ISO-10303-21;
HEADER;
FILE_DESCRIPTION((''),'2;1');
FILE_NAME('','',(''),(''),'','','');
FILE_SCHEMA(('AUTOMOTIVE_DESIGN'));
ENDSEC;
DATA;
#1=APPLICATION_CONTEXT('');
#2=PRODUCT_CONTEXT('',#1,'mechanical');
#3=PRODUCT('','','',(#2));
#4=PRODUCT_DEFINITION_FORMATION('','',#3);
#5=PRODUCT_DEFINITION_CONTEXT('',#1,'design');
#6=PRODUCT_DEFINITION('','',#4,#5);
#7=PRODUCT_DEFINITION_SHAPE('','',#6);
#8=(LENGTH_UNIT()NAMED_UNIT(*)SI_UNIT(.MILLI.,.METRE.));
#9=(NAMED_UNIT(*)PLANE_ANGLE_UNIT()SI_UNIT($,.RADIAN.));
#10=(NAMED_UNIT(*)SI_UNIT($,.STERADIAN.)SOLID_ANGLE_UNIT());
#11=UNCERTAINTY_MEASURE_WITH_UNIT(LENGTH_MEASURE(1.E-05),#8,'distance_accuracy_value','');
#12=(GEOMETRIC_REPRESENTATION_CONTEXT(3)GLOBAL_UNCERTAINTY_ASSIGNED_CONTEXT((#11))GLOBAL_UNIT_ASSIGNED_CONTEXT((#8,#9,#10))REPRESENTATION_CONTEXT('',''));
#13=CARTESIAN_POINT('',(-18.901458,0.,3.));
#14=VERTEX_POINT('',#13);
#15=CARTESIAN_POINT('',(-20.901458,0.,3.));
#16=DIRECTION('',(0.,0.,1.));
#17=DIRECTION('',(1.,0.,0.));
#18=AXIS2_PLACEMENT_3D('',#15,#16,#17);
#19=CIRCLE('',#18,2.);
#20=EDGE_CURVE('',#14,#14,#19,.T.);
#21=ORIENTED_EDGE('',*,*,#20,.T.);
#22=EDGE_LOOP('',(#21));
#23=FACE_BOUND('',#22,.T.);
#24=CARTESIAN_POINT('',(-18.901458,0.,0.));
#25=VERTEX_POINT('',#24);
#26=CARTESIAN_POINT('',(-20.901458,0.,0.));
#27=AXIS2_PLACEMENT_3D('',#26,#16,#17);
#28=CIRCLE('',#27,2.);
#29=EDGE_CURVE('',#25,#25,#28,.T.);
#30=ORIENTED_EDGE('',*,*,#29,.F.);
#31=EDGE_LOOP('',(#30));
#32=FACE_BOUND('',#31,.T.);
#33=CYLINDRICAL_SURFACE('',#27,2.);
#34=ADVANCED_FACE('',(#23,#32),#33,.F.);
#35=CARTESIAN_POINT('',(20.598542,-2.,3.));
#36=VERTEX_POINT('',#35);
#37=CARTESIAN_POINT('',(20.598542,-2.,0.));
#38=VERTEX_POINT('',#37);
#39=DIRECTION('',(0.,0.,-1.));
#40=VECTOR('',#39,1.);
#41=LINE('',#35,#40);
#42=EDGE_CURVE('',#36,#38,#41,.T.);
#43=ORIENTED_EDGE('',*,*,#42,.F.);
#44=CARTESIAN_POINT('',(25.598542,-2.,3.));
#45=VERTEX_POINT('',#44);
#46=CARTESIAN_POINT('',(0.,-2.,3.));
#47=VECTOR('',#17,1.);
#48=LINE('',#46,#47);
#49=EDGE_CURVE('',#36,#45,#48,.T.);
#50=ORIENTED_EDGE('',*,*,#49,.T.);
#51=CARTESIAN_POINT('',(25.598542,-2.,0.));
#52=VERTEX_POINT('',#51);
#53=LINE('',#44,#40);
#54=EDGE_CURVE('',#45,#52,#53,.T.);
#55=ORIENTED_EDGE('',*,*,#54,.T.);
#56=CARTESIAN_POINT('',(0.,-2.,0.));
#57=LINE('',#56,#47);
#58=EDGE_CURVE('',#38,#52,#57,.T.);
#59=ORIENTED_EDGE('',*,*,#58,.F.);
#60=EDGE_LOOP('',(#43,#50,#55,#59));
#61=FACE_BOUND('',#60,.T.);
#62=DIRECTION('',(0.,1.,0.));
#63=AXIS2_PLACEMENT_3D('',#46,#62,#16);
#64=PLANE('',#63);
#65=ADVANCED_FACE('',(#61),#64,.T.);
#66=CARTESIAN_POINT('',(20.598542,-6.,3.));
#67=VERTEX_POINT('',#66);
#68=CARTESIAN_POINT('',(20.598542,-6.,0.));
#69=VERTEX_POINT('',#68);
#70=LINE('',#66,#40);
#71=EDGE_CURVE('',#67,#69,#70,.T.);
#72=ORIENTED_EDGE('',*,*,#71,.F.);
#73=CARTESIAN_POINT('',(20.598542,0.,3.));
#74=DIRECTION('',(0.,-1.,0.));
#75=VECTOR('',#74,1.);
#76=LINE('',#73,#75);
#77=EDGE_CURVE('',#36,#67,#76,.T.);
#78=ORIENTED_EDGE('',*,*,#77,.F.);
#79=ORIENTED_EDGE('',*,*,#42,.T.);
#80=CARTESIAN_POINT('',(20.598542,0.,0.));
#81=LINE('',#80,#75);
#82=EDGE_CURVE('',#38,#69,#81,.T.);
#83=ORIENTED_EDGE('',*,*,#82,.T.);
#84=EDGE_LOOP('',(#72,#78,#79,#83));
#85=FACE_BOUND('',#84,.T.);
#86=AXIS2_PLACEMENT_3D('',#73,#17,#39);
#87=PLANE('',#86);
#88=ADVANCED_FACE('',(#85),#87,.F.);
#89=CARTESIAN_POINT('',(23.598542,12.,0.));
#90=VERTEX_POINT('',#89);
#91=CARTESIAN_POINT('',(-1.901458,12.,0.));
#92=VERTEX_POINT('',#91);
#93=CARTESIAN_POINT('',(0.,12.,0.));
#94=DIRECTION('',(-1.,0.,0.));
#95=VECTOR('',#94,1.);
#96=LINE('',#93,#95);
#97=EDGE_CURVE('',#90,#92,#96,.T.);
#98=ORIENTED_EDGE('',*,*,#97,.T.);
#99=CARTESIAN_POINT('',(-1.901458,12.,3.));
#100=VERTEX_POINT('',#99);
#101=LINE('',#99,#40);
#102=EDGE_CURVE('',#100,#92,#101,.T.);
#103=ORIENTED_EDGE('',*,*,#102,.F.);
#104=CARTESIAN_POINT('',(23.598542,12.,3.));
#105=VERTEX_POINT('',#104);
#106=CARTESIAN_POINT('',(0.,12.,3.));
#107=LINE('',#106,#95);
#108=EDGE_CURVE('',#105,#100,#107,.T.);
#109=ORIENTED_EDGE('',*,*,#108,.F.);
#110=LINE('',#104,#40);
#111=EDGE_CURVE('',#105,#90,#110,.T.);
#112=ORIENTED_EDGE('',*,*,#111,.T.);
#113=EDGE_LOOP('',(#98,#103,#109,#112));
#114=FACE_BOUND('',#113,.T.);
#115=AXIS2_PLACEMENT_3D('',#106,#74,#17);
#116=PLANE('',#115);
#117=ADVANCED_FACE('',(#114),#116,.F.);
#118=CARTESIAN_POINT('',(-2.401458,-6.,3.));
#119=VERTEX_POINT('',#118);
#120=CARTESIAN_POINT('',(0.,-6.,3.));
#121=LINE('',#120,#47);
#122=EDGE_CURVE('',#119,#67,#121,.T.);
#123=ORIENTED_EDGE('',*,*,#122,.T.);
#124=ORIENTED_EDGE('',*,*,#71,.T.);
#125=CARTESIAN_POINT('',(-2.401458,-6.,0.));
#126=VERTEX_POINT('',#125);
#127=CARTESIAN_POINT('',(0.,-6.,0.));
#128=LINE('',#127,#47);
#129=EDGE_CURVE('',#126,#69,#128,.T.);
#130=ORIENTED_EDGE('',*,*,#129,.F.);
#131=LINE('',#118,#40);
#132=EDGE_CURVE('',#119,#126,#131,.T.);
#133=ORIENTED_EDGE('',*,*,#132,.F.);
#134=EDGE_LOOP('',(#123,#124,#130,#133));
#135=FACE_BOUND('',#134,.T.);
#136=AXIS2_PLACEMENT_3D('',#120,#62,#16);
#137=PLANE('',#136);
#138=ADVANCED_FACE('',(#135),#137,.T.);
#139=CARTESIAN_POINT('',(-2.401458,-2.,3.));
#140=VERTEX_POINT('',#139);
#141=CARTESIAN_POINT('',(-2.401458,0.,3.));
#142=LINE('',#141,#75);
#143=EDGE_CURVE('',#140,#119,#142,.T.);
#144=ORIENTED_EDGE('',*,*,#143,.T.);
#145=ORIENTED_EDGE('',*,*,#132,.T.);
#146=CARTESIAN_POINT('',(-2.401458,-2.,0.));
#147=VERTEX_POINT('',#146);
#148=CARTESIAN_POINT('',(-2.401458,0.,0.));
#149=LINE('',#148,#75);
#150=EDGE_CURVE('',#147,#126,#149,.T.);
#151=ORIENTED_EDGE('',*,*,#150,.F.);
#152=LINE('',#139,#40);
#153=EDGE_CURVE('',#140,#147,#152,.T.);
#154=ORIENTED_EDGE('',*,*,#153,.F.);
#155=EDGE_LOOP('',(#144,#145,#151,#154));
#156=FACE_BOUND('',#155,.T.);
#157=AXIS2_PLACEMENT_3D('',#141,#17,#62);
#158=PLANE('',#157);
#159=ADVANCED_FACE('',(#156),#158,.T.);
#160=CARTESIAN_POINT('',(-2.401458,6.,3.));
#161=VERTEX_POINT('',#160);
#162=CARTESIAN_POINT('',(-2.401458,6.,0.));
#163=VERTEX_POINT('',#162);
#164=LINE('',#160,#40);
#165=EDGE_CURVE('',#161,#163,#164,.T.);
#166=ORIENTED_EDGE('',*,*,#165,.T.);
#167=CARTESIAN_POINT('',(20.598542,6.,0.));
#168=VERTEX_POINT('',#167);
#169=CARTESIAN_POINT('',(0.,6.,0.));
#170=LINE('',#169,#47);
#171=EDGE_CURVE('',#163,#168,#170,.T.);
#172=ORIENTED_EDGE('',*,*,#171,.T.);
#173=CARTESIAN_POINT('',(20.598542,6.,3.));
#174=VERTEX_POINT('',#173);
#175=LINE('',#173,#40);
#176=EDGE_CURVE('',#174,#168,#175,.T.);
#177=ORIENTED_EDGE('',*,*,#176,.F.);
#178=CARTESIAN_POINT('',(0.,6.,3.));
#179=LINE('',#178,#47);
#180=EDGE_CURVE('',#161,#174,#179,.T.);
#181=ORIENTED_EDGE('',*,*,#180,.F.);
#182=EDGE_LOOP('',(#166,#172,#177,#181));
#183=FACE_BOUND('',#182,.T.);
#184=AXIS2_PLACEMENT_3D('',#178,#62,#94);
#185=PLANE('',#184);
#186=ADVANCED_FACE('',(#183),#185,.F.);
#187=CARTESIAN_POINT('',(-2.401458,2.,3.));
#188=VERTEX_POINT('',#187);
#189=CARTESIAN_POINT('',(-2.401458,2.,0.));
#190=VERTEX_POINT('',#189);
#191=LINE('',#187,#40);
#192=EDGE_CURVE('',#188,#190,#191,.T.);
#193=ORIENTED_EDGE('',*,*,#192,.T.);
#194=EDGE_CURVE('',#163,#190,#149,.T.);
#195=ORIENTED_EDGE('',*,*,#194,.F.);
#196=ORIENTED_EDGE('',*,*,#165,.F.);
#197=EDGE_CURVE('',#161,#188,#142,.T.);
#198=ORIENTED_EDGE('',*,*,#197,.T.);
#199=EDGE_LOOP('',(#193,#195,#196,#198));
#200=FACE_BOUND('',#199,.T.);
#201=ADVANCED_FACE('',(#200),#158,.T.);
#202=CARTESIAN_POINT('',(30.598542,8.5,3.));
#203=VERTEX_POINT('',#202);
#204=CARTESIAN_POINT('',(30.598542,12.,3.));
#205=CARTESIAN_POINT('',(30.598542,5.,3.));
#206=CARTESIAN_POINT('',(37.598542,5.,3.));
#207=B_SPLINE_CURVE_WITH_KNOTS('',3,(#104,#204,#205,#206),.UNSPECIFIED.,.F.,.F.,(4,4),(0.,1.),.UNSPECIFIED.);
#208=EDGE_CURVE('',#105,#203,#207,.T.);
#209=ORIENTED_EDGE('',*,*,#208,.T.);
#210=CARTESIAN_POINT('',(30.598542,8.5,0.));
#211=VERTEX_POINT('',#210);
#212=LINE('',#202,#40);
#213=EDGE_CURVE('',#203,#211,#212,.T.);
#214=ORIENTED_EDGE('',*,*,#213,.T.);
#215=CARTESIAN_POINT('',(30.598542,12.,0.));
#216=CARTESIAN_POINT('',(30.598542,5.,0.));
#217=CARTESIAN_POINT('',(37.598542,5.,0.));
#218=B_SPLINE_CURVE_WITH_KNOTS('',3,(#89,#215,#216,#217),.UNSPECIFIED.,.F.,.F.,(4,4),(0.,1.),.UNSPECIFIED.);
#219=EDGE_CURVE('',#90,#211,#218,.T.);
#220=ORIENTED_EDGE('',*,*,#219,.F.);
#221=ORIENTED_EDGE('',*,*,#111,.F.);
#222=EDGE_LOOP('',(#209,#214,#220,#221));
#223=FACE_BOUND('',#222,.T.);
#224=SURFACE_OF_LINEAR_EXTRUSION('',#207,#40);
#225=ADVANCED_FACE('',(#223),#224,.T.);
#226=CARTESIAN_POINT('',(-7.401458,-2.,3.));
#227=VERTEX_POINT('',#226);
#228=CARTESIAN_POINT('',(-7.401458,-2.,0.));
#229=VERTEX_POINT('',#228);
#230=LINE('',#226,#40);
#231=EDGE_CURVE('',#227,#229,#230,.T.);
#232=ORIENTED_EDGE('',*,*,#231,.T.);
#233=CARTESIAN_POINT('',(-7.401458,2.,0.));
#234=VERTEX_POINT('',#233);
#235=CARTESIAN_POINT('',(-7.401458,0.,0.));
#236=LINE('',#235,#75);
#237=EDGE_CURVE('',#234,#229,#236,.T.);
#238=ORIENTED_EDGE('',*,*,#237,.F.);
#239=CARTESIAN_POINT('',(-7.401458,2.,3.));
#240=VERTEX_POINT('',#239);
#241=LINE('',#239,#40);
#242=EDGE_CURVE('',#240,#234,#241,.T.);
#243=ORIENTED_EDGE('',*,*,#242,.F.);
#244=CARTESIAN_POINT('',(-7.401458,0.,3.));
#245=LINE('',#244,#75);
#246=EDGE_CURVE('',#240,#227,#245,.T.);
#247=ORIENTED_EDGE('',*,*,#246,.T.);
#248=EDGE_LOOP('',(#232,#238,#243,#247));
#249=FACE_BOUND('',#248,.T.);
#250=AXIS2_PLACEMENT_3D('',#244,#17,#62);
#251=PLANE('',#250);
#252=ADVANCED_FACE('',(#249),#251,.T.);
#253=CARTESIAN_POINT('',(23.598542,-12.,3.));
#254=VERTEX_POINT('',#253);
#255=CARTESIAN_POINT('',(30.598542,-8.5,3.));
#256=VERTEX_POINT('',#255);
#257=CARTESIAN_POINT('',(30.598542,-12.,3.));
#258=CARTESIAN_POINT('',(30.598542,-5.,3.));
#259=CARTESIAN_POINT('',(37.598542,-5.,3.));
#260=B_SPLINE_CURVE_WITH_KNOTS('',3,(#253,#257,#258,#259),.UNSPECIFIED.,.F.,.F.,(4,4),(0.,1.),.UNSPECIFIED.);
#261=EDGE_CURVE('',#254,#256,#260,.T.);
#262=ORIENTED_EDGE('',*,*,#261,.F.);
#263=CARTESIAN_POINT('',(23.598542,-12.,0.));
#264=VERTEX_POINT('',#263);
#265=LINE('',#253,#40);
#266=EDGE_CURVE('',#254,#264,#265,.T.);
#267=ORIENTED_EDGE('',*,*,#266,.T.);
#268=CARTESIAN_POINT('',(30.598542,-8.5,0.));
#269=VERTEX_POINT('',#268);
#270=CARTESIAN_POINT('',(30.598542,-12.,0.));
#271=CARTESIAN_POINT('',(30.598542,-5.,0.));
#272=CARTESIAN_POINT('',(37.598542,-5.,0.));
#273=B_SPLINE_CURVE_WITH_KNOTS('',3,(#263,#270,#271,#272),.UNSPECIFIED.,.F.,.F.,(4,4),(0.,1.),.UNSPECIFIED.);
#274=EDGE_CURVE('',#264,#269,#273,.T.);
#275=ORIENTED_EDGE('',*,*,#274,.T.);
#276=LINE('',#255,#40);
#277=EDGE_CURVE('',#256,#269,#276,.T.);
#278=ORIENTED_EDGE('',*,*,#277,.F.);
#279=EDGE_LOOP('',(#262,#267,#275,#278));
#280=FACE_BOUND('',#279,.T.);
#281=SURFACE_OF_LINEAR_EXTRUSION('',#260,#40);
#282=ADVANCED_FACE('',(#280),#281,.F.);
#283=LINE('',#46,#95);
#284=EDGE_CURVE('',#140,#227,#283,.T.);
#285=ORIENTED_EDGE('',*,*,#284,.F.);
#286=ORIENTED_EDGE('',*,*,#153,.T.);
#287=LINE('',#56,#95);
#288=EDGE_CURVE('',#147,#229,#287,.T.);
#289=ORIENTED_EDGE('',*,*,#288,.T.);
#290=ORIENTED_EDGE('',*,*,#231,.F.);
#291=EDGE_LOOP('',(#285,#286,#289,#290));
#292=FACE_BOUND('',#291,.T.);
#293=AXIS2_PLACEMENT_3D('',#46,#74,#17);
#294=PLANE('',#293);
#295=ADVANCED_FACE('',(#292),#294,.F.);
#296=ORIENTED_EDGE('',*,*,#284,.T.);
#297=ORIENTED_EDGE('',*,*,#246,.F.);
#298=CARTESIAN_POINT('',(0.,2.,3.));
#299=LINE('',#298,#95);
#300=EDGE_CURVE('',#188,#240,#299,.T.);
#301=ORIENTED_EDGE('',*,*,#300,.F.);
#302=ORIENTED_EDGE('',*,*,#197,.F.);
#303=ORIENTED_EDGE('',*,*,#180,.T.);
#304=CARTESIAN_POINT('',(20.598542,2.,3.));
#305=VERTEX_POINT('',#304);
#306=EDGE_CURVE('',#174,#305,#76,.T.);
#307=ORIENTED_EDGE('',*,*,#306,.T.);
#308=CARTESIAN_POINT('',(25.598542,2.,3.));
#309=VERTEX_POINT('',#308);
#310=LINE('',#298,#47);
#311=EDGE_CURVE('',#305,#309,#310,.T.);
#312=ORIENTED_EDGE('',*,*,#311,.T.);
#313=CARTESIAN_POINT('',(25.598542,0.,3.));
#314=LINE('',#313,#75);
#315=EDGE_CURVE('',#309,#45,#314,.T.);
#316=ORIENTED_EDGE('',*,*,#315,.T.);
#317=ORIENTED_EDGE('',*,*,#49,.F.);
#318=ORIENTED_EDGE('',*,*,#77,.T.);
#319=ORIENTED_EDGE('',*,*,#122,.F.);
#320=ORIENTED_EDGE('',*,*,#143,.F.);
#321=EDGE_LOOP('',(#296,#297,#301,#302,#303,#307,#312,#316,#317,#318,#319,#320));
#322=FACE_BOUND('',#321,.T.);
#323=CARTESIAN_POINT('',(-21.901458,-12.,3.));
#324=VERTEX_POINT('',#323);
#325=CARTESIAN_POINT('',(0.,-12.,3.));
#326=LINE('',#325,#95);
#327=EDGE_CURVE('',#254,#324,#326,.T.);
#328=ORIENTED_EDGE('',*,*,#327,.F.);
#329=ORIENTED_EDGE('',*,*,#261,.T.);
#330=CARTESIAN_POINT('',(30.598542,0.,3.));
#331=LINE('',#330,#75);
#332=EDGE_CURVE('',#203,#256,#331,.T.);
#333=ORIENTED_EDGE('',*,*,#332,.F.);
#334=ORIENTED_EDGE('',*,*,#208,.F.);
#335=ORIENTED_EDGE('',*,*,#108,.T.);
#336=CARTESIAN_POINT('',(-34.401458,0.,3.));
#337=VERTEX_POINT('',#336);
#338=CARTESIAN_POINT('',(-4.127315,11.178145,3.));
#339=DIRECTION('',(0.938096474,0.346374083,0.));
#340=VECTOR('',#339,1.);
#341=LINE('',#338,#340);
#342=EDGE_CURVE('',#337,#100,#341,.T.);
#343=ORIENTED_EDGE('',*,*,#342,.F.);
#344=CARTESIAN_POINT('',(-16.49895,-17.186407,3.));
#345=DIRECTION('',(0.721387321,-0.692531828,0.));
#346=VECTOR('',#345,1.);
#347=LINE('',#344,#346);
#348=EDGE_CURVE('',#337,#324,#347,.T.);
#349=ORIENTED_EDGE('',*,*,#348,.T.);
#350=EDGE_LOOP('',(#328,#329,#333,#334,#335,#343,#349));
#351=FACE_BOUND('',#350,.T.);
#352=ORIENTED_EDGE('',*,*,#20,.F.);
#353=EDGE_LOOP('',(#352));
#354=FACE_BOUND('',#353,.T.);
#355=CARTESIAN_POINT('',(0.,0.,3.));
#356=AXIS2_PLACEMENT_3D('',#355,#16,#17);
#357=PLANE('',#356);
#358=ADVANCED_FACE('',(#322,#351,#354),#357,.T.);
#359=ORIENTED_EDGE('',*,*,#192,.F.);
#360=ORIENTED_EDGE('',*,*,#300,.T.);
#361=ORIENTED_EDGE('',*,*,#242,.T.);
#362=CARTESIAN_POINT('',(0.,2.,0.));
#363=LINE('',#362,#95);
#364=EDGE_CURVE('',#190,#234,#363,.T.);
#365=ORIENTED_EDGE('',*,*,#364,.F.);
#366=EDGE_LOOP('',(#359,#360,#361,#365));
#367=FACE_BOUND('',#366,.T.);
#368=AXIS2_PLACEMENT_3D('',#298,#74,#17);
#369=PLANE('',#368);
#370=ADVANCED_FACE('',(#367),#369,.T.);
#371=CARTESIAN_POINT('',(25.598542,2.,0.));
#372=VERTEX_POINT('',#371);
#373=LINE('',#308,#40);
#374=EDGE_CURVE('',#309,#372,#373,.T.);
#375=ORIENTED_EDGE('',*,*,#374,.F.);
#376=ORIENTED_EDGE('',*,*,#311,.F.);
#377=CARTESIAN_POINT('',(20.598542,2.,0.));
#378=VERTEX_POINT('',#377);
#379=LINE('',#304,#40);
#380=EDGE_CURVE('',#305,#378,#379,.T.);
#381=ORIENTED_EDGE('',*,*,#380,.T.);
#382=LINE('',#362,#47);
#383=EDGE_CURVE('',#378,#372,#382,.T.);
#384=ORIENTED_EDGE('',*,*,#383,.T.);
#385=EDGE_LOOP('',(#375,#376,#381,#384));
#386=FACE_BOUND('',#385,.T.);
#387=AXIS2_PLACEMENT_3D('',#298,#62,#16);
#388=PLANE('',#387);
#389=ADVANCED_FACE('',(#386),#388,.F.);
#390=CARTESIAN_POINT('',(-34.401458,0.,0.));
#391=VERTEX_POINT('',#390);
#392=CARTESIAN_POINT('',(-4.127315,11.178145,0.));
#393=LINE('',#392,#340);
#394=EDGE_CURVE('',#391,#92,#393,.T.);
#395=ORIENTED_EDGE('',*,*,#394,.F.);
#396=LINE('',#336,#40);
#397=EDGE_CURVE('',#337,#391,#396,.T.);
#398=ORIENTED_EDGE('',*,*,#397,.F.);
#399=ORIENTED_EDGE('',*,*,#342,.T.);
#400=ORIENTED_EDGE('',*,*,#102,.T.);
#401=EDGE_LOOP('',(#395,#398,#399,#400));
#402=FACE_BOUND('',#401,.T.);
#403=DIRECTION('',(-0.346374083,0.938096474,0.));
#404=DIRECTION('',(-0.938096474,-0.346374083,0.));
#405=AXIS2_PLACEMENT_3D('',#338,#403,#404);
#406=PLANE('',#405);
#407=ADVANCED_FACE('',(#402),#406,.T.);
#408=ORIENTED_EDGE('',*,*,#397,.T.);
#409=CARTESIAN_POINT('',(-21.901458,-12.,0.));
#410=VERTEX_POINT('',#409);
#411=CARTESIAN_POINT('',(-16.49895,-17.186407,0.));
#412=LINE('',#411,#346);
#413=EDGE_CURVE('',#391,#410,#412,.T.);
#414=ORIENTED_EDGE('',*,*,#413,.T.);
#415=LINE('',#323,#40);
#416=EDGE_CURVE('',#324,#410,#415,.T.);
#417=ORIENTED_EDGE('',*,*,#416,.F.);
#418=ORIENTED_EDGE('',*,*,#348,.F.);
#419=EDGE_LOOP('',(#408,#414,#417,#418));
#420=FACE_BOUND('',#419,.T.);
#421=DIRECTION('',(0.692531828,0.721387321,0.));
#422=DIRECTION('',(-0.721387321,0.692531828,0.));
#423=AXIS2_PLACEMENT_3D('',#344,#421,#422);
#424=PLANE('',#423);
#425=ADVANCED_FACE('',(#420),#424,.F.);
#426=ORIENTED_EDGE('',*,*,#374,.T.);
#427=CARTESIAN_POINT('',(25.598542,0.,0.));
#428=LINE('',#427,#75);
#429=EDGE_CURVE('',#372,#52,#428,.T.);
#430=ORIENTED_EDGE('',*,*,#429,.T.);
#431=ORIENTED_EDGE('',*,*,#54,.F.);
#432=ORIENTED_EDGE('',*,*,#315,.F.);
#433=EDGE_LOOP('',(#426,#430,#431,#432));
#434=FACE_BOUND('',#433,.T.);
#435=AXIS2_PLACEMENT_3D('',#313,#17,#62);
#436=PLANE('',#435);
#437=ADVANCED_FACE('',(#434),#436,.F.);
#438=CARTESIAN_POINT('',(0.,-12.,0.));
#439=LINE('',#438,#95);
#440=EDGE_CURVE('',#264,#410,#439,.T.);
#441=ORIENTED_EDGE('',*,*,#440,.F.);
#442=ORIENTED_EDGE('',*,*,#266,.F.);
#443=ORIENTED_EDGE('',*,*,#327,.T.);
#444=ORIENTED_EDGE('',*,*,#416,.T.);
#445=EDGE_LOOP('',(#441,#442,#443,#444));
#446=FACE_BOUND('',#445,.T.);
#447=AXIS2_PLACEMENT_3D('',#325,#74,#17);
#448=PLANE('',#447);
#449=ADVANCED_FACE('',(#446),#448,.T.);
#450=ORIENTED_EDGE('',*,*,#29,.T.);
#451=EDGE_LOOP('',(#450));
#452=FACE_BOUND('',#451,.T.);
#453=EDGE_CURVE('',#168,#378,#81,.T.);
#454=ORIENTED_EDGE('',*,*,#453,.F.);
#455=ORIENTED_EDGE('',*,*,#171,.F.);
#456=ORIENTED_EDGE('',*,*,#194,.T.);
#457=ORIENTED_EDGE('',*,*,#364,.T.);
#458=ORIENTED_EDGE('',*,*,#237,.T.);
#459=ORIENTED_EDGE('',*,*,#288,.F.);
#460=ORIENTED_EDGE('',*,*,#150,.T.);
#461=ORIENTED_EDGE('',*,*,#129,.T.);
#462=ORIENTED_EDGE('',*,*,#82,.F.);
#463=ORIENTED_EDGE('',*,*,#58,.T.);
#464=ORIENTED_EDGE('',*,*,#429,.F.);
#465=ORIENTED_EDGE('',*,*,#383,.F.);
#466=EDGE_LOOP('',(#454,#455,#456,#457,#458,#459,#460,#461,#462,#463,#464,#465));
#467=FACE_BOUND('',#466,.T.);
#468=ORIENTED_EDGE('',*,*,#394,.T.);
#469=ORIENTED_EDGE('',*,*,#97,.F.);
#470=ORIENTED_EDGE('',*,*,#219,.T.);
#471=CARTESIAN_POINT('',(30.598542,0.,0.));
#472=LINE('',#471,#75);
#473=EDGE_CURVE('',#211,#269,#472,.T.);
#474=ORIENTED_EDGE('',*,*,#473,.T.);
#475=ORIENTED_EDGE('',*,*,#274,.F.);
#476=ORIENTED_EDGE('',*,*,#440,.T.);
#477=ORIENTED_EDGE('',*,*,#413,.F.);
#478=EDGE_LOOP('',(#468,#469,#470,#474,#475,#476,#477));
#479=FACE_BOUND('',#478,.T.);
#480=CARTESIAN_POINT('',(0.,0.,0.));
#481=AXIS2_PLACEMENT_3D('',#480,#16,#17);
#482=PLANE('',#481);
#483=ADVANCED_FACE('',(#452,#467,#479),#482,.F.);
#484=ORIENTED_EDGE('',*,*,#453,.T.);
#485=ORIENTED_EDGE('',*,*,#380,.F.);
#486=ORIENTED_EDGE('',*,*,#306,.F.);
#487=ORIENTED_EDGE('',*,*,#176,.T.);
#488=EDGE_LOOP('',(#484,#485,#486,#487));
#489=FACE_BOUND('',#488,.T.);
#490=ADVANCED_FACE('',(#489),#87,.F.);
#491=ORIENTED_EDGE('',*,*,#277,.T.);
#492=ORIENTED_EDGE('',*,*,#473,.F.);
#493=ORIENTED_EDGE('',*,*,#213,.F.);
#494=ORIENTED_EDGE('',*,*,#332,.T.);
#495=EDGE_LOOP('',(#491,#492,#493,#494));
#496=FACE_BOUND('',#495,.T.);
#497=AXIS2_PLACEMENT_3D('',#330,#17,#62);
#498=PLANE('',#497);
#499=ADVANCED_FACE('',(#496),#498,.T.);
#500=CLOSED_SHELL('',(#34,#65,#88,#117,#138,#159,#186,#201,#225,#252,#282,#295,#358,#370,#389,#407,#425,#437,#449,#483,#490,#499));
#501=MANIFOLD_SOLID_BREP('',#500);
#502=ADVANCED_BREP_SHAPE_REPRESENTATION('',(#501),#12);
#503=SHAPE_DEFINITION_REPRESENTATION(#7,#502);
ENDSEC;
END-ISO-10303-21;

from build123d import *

# Parameters (mm, degrees)
BOSS_EXTRU_1_DEPTH = 3
SKETCH1_R          = 2
CUT_EXTRUDE1_DEPTH = 37.557629685


with BuildPart() as part:
    # Esquisse1 → Boss.-Extru.1 (new body)
    with BuildSketch(Plane.XY):
        with BuildLine():
            Line((-1.901457503, 12), (-34.401457503, 0))
            Line((-34.401457503, 0), (-21.901457503, -12))
            Line((-21.901457503, -12), (23.598542497, -12))
            add(Edge.make_bspline(
                [(23.598542497, -12), (27.098542497, -12), (28.848542497, -10.25), (30.598542497, -8.5)],
                knots=[0, 0, 0, 0, 0.5, 0.5, 0.5, 0.5], degree=3))
            Line((30.598542497, -8.5), (30.598542497, 8.5))
            add(Edge.make_bspline(
                [(23.598542497, 12), (27.098542497, 12), (28.848542497, 10.25), (30.598542497, 8.5)],
                knots=[0, 0, 0, 0, 0.5, 0.5, 0.5, 0.5], degree=3))
            Line((23.598542497, 12), (-1.901457503, 12))
        make_face()
        Polygon((-2.401457503, 2), (-2.401457503, 6), (20.598542497, 6), (20.598542497, 2), (25.598542497, 2), (25.598542497, -2), (20.598542497, -2), (20.598542497, -6), (-2.401457503, -6), (-2.401457503, -2), (-7.401457503, -2), (-7.401457503, 2), align=None, mode=Mode.SUBTRACT)
    extrude(amount=BOSS_EXTRU_1_DEPTH)

    # Sketch1 → Cut-Extrude1 (cut, through all)
    with BuildSketch(Plane.XY.offset(3)):
        with Locations((-20.901457503, 0)):
            Circle(SKETCH1_R)
    extrude(amount=-CUT_EXTRUDE1_DEPTH, mode=Mode.SUBTRACT)


solid = part.part
